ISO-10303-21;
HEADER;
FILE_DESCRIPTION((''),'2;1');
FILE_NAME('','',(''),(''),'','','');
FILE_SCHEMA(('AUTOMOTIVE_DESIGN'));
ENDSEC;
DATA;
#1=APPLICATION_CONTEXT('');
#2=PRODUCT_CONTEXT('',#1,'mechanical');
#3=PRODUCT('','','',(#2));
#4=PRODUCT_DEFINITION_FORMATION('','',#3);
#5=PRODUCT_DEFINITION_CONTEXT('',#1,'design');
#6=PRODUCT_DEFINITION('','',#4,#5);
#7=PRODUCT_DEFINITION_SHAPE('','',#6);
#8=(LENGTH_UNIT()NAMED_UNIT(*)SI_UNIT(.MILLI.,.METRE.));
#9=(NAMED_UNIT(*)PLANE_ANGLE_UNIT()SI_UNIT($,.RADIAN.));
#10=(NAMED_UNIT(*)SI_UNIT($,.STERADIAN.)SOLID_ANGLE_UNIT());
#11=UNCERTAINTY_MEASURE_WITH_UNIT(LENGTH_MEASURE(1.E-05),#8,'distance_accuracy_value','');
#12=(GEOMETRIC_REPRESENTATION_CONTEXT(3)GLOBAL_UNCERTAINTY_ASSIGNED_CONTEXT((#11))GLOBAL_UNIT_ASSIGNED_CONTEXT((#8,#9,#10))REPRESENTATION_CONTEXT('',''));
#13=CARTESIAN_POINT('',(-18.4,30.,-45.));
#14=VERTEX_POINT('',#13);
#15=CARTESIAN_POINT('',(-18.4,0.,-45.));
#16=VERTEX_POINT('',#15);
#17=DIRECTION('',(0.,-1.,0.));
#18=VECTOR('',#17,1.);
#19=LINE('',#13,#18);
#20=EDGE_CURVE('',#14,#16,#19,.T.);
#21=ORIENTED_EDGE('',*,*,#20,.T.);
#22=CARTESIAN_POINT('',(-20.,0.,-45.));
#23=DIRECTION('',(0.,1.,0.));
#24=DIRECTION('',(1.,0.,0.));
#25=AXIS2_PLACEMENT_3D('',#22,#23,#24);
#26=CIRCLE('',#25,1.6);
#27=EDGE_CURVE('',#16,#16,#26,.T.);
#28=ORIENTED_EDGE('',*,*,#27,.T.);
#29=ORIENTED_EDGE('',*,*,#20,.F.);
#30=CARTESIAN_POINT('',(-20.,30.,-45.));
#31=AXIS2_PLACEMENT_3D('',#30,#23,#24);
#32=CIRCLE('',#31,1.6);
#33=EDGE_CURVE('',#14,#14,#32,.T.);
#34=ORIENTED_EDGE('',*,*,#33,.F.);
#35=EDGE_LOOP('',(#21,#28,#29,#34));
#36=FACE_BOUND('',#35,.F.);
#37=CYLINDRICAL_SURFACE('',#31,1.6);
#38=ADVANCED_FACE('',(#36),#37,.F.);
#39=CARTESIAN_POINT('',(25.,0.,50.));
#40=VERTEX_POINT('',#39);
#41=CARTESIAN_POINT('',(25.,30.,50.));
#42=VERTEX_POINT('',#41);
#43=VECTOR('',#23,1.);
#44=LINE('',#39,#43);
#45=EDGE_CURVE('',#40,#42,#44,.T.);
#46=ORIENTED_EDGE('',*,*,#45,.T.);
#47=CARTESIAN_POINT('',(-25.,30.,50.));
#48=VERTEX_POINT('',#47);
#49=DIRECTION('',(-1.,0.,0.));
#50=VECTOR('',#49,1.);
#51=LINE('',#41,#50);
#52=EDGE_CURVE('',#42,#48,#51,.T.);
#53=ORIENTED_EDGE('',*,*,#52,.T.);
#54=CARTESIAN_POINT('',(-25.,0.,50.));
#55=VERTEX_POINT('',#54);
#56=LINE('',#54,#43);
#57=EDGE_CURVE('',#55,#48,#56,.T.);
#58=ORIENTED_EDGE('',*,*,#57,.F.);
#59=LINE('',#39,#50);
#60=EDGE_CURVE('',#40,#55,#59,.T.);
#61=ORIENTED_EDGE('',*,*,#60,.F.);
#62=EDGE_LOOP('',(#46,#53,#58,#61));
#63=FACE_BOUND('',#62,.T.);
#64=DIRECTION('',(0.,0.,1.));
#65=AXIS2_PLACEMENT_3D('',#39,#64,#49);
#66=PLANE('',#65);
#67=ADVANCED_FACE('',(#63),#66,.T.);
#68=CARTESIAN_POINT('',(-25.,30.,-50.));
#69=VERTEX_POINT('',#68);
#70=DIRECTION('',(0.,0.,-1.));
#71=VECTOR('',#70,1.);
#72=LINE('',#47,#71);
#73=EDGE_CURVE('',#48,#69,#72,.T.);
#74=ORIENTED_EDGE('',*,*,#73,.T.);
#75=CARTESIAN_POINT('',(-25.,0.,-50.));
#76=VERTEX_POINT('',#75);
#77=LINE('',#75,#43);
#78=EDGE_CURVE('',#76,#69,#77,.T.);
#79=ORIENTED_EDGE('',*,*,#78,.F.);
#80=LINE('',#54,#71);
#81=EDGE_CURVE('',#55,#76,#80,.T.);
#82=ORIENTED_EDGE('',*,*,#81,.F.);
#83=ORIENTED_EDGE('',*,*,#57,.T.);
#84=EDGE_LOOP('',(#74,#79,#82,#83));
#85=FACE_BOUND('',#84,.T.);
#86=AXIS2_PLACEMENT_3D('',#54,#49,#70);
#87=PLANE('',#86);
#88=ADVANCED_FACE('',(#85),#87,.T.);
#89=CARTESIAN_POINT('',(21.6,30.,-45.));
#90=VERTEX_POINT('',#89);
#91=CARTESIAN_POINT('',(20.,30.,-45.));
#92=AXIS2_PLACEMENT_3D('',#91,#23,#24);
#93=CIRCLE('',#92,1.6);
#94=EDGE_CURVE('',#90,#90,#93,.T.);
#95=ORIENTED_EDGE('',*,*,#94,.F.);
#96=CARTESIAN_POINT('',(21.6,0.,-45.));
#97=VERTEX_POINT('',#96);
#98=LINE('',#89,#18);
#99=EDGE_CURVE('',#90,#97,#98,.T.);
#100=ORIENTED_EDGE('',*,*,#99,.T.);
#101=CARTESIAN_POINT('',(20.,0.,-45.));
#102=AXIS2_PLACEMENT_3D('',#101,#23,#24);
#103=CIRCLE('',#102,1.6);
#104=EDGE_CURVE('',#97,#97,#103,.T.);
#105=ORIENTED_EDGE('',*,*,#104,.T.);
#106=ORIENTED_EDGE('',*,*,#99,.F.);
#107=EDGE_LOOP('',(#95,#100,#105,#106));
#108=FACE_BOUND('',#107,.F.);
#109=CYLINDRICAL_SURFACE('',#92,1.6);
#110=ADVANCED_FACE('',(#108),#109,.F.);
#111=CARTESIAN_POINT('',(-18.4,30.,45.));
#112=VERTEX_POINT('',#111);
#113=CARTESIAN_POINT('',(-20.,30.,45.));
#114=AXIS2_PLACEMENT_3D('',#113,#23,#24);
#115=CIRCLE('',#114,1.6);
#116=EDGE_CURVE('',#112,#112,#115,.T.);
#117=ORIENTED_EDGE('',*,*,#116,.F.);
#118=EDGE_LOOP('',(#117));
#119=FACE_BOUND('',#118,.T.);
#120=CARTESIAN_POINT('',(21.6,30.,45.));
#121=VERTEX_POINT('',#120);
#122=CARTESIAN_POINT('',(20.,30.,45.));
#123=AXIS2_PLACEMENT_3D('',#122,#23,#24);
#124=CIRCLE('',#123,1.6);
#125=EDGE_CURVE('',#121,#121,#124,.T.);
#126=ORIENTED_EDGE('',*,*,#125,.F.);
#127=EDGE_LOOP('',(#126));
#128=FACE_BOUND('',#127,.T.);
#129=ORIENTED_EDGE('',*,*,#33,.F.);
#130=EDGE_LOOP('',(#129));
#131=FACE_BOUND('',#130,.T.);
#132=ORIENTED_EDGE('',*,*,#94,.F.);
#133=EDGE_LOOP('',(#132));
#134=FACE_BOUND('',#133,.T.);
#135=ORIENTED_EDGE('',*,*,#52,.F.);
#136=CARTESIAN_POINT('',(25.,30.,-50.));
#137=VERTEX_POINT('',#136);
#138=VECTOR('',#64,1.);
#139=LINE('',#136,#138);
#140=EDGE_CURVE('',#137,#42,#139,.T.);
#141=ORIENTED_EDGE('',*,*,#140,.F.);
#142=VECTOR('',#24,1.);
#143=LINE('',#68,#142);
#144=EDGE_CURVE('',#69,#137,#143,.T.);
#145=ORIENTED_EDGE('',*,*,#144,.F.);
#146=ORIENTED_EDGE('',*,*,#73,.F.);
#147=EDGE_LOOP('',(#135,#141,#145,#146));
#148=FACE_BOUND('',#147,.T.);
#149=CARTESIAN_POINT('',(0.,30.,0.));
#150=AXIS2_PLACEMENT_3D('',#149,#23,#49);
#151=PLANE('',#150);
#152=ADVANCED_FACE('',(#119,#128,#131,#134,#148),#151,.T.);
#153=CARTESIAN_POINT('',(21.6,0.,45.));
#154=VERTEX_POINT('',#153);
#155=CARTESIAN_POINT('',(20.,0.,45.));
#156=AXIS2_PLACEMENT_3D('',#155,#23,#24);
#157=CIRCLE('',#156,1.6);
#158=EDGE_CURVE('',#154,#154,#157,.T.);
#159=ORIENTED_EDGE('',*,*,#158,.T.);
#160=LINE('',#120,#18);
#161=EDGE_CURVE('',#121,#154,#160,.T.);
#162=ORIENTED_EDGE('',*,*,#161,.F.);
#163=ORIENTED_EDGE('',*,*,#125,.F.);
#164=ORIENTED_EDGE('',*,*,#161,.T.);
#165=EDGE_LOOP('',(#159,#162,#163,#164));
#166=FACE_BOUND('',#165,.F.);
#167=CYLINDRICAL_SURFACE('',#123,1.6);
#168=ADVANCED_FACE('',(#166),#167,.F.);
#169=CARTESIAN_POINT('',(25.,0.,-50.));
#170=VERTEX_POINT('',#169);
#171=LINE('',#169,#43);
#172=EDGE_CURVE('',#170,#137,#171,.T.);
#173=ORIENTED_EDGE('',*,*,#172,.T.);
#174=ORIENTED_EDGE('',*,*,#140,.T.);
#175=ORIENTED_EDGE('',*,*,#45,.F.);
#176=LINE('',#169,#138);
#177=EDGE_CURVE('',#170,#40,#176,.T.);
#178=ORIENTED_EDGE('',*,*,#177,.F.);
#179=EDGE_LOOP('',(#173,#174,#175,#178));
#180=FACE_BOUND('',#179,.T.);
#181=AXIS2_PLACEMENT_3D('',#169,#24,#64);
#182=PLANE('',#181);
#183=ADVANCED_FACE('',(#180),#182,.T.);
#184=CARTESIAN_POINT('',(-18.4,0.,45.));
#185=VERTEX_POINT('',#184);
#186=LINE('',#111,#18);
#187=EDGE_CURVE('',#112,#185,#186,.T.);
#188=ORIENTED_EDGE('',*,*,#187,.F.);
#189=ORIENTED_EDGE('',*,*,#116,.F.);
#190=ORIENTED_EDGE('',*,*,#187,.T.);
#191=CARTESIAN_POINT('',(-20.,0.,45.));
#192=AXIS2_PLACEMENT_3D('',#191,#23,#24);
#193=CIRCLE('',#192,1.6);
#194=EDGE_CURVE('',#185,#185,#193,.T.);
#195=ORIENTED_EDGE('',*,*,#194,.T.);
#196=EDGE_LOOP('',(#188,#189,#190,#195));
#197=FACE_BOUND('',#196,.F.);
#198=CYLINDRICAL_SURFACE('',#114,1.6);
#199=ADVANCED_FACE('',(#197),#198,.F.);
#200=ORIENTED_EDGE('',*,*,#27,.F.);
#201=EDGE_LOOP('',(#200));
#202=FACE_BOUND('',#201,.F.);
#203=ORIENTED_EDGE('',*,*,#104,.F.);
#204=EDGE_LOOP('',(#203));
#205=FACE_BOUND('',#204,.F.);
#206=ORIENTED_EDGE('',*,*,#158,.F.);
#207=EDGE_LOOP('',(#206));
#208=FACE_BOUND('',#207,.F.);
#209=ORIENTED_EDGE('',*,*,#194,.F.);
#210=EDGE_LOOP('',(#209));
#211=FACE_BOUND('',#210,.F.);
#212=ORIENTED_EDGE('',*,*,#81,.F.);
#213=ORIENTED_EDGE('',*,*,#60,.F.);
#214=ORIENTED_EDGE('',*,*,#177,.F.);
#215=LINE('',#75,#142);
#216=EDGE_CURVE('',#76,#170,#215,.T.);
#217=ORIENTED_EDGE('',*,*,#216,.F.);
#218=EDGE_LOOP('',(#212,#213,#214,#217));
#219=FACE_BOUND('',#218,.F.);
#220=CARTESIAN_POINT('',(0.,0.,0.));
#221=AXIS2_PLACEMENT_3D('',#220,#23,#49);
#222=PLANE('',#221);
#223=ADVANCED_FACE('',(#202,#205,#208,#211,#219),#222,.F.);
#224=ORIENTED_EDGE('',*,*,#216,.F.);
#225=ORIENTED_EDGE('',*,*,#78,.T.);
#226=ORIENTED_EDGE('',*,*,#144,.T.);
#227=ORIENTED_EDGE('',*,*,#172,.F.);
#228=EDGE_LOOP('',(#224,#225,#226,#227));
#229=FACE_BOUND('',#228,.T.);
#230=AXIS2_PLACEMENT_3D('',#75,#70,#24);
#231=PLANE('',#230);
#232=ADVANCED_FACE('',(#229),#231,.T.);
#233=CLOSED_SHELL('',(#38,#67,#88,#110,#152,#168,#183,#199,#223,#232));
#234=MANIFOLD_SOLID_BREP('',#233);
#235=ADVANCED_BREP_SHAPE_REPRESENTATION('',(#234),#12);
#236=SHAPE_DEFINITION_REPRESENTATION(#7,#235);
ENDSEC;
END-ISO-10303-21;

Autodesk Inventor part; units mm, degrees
ref_plane "YZ Plane" through (0, 0, 0) normal (1, 0, 0) x (0, 1, 0)
ref_plane "XZ Plane" through (0, 0, 0) normal (0, 1, 0) x (-1, 0, 0)
ref_plane "XY Plane" through (0, 0, 0) normal (0, 0, 1) x (1, 0, 0)
sketch "Эскиз1" plane through (0, 0, 0) normal (0, 1, 0) x (-1, 0, 0)
  line L0 (-25, 50) -> (25, 50)
  line L1 (25, 50) -> (25, -50)
  line L2 (25, -50) -> (-25, -50)
  line L3 (-25, -50) -> (-25, 50)
  line L4 (-25, 50) -> (25, -50) construction
  line L5 (25, 50) -> (-25, -50) construction
  point P0 (0, 0)
  dimension "d0" = 50
  dimension "d1" = 100
extrude "Выдавливание1" add sketch "Эскиз1" along normal blind 30
sketch "Эскиз2" plane through (0, 30, 0) normal (0, 1, 0) x (1, 0, 0)
  line L0 (25, 50) -> (-25, 50) projected
  line L1 (-25, 50) -> (-25, -50) projected
  line L2 (-25, -50) -> (25, -50) projected
  line L3 (25, -50) -> (25, 50) projected
  circle A0 centre (20, 45) radius 1.6
  circle A1 centre (20, -45) radius 1.6
  circle A2 centre (-20, -45) radius 1.6
  arc A3 (-20, 52.5) -> (-25, 47.5) centre (-20, 45) ccw projected
  circle A4 centre (-20, 45) radius 1.6
  circle A5 centre (-20, 45) radius 5
  circle A6 centre (20, 45) radius 5
  circle A7 centre (20, -45) radius 5
  circle A8 centre (-20, -45) radius 5
  line L4 (-25, 50) -> (-25, -50) projected
  line L5 (-25, -50) -> (25, -50) projected
  line L6 (25, -50) -> (25, 50) projected
  line L7 (25, 50) -> (-25, 50) projected
  point P0 (0, 0)
  dimension "d5" = 3.2
  dimension "d6" = 3.2
  dimension "d7" = 3.2
  dimension "d8" = 3.2
  dimension "d11" = 10
  dimension "d12" = 10
  dimension "d13" = 10
  dimension "d14" = 10
extrude "Выдавливание2" cut sketch "Эскиз2" against normal blind 30 contours A0 | A1 | A2 | A4
sketch "Эскиз3" plane through (0, 0, 0) normal (0, -1, 0) x (1, 0, 0)
  line L0 (25, -50) -> (-25, -50) projected
  line L1 (0, -50) -> (0, 30)
  line L2 (0, 30) -> (25, 30)
  line L3 (25, 50) -> (25, -50) projected
  line L4 (-25, 50) -> (25, 50) projected
  line L5 (25, 50) -> (15, 50)
  line L6 (15, 50) -> (15, 30)
  circle A0 centre (-20, -45) radius 1.6 projected
  circle A1 centre (20, 45) radius 1.6 projected
  circle A2 centre (20, -45) radius 1.6 projected
  circle A3 centre (-20, 45) radius 1.6 projected
  line L7 (25, -50) -> (-25, -50) projected
  line L8 (25, 50) -> (25, -50) projected
  line L9 (-25, 50) -> (25, 50) projected
  line L10 (-25, -50) -> (-25, 50) projected
  point P0 (0, 0)
  dimension "d15" = 80
  dimension "d16" = 25
  dimension "d17" = 10
  dimension "d18" = 20
sketch "Эскиз4" plane through (-25, 0, -50) normal (-1, 0, 0) x (0, 0, 1)
  point P0 (50, 0)
properties part number "LPS_board"
